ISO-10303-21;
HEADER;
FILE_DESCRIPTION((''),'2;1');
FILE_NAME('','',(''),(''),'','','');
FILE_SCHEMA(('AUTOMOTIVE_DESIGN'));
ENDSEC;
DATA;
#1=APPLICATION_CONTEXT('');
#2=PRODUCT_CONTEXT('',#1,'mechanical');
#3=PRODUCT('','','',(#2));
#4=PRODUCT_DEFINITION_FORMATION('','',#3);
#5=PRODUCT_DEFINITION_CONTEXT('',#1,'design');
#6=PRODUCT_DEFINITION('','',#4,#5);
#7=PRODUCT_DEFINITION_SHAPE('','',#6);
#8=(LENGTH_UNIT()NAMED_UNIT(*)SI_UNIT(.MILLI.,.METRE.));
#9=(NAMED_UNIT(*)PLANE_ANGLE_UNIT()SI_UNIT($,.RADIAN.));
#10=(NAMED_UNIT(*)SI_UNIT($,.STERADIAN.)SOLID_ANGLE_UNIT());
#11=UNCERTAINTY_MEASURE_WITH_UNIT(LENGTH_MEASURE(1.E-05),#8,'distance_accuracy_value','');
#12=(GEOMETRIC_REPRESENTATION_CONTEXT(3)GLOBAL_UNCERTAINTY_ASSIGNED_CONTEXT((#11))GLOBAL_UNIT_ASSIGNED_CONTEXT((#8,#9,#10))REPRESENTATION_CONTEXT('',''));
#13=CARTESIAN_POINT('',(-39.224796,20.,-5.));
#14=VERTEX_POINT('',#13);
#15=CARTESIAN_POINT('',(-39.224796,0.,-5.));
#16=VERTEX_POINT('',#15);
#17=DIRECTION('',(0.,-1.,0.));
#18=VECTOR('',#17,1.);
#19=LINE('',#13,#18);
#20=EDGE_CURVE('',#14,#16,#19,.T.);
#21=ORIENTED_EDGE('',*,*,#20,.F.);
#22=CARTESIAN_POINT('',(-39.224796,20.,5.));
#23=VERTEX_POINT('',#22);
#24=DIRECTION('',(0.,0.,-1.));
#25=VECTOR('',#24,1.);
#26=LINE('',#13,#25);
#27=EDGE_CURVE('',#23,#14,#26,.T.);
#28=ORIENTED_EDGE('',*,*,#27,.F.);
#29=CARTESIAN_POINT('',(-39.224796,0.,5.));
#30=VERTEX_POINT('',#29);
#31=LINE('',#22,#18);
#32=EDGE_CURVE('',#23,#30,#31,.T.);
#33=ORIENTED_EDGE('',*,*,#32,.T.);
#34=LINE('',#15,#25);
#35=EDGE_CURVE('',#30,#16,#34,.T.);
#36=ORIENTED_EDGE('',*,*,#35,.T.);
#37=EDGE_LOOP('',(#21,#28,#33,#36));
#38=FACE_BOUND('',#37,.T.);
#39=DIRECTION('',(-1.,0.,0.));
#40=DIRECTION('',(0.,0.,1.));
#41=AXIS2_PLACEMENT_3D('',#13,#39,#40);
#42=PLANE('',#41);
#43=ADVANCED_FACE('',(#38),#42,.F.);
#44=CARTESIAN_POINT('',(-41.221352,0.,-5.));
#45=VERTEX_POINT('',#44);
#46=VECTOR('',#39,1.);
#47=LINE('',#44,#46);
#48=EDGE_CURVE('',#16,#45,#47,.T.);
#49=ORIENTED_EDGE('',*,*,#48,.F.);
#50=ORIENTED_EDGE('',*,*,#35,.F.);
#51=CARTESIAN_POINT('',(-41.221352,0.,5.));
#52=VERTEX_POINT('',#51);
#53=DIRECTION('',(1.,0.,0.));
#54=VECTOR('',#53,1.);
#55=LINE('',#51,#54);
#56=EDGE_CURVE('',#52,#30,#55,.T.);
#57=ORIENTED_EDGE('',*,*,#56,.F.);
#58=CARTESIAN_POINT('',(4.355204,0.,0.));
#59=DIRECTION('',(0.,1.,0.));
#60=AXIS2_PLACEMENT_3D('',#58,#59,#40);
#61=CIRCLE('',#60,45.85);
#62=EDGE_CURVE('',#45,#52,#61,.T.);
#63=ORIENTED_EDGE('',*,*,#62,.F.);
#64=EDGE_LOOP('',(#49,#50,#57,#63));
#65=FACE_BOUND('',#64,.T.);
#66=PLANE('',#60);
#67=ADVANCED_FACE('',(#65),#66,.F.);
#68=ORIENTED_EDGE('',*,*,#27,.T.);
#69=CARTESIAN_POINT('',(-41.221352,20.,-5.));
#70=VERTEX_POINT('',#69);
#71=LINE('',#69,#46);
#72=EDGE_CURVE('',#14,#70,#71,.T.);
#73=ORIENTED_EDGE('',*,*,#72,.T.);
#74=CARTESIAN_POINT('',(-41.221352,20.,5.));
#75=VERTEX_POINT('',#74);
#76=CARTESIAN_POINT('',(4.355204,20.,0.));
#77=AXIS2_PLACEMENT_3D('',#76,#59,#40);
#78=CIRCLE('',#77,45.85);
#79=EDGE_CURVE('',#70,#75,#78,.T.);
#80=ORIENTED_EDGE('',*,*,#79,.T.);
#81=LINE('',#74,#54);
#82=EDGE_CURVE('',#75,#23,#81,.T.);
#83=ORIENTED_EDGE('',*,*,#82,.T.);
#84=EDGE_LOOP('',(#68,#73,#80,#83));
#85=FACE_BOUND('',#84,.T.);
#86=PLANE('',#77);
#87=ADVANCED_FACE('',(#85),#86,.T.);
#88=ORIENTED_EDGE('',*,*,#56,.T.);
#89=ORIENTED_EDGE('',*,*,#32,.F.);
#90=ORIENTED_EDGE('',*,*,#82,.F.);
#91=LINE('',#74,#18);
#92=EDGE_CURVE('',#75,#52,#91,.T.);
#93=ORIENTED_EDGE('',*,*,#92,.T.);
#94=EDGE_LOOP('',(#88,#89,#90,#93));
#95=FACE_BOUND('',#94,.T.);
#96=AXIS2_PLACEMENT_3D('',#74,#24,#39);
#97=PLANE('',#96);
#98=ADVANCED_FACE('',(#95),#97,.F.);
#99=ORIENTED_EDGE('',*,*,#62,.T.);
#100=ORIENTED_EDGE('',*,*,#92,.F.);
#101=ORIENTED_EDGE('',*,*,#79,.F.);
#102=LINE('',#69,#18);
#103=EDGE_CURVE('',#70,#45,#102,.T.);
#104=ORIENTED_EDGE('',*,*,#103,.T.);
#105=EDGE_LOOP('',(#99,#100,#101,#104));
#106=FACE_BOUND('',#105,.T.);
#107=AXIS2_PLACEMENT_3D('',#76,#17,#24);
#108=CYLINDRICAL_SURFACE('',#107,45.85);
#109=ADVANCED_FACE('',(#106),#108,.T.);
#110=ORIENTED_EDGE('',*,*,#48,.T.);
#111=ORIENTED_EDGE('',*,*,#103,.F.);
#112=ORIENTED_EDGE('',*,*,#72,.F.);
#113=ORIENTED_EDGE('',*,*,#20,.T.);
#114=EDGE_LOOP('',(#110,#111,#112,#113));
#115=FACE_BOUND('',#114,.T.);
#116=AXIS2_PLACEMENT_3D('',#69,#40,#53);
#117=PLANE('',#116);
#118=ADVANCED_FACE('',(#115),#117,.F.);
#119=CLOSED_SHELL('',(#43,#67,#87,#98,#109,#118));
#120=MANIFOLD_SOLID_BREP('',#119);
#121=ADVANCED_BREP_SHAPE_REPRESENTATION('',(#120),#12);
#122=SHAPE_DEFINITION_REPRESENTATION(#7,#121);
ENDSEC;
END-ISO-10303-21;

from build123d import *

# Parameters (mm, degrees)
EXTRUDE_1_DEPTH = 20


with BuildPart() as part:
    # 草图1 → 凸台-拉伸1 (new body)
    with BuildSketch(Plane(origin=(0, 0, 0), x_dir=(1, 0, 0), z_dir=(0, 1, 0))):
        with BuildLine():
            Line((-41.221352139, 5), (-39.224795665, 5))
            Line((-39.224795665, 5), (-39.224795665, -5))
            Line((-39.224795665, -5), (-41.221352139, -5))
            ThreePointArc((-41.221352139, -5), (-41.494795665, 0), (-41.221352139, 5))
        make_face()
    extrude(amount=EXTRUDE_1_DEPTH)


solid = part.part
